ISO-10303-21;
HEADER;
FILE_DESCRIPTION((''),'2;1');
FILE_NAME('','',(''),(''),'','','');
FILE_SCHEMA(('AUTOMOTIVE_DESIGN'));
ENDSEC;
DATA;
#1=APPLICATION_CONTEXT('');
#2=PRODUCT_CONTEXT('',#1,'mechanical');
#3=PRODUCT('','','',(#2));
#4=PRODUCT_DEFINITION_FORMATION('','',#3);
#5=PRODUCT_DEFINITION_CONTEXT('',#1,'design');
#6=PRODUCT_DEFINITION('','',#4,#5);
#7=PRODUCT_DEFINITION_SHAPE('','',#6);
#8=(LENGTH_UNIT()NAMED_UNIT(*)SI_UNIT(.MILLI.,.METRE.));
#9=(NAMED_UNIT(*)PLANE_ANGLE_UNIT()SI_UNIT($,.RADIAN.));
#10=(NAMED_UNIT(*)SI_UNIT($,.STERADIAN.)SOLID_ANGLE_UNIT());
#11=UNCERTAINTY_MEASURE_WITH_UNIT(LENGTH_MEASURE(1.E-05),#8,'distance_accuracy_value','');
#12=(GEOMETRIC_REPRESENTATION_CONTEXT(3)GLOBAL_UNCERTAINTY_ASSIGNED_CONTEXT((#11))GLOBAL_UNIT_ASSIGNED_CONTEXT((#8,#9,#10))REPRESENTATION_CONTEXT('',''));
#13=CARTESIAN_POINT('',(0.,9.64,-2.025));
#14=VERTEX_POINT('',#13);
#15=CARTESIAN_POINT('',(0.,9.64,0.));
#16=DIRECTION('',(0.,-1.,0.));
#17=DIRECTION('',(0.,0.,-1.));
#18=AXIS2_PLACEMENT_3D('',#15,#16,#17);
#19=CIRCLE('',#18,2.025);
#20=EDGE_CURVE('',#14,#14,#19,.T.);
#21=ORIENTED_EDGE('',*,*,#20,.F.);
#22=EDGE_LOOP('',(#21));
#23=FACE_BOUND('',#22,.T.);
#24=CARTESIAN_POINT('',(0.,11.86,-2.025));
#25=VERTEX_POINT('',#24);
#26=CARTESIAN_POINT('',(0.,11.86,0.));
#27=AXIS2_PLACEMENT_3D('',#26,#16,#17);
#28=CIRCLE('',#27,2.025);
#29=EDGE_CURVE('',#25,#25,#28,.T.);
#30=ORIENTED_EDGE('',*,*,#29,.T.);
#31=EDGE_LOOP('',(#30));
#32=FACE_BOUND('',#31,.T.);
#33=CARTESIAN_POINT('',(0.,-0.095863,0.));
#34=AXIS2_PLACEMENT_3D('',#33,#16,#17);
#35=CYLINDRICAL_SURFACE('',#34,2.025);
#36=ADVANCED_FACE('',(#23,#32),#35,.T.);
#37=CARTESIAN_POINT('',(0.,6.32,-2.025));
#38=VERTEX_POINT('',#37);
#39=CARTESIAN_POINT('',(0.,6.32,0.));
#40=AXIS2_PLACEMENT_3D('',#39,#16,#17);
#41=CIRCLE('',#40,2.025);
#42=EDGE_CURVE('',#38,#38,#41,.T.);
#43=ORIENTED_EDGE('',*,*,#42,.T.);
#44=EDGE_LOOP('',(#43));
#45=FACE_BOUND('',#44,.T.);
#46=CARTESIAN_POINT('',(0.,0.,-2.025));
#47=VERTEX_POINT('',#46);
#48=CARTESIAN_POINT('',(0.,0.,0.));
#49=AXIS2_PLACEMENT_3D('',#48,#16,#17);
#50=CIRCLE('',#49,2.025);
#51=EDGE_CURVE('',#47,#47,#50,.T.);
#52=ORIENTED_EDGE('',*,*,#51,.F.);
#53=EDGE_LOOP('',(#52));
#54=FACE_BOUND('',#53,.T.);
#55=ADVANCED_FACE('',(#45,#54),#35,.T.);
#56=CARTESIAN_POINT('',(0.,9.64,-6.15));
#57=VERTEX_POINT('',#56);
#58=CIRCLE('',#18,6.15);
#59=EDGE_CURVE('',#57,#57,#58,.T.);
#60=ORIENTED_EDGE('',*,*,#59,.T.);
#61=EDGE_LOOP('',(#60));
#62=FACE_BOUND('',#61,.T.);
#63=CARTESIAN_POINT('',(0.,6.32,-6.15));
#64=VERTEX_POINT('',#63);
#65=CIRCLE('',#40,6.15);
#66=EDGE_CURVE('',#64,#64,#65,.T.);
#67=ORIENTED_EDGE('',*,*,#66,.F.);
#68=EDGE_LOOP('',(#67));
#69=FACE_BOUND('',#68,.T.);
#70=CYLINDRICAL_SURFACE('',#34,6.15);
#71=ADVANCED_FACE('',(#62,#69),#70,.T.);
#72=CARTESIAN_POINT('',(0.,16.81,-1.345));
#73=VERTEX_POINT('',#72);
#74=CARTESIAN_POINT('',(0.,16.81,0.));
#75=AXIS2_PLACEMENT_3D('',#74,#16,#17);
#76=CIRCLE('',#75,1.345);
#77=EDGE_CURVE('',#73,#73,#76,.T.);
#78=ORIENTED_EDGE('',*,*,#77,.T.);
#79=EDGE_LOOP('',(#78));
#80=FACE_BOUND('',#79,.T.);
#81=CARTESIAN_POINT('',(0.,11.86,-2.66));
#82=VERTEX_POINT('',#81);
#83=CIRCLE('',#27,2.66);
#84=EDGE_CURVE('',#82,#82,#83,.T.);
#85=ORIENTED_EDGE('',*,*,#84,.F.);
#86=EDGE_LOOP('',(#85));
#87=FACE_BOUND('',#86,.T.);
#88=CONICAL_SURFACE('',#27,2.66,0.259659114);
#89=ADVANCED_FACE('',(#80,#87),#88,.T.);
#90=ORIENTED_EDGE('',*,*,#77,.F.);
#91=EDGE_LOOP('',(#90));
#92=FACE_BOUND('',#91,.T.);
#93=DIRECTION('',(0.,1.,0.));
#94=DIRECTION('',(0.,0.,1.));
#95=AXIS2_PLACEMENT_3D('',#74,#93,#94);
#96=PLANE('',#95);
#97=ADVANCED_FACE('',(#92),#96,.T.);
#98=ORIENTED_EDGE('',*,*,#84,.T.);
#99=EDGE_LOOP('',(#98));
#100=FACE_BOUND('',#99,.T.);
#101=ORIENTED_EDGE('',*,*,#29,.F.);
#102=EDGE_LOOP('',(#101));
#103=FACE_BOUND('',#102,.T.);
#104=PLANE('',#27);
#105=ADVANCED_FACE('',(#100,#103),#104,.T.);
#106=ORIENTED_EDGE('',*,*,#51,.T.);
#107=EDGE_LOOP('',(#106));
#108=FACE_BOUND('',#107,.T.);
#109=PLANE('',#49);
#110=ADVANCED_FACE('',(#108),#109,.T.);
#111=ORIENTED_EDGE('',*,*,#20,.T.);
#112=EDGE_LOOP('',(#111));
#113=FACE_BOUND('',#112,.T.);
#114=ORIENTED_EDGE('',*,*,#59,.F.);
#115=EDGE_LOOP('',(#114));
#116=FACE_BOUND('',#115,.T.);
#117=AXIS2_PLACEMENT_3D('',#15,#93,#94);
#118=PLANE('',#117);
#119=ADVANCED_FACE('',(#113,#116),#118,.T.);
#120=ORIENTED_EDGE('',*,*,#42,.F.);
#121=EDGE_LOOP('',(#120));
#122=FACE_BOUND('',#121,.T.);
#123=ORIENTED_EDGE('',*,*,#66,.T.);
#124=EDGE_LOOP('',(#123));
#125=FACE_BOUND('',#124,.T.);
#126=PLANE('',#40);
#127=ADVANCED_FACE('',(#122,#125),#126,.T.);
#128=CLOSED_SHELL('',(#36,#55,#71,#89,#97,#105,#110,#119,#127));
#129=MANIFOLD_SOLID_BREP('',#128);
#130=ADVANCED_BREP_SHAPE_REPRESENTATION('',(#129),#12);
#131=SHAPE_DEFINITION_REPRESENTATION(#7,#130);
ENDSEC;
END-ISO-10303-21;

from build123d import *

# Parameters (mm, degrees)
SKETCH1_W = 0.94
SKETCH1_H = 16.81


with BuildPart() as part:
    # Sketch1 → Revolve1 (revolve)
    with BuildSketch(Plane.XY, mode=Mode.PRIVATE) as revolve1_sk:
        Polygon((-2.025, 0), (-0.94, 0), (-0.94, 16.81), (-1.345, 16.81), (-2.66, 11.86), (-2.025, 11.86), (-2.025, 9.64), (-6.15, 9.64), (-6.15, 6.32), (-2.025, 6.32), align=None)
        with Locations((-0.47, 8.405)):
            Rectangle(SKETCH1_W, SKETCH1_H)
    revolve(revolve1_sk.sketch.rotate(Axis((0, -0.095863309, 0), (0, 1, 0)), 270), axis=Axis((0, -0.095863309, 0), (0, 1, 0)))


solid = part.part
